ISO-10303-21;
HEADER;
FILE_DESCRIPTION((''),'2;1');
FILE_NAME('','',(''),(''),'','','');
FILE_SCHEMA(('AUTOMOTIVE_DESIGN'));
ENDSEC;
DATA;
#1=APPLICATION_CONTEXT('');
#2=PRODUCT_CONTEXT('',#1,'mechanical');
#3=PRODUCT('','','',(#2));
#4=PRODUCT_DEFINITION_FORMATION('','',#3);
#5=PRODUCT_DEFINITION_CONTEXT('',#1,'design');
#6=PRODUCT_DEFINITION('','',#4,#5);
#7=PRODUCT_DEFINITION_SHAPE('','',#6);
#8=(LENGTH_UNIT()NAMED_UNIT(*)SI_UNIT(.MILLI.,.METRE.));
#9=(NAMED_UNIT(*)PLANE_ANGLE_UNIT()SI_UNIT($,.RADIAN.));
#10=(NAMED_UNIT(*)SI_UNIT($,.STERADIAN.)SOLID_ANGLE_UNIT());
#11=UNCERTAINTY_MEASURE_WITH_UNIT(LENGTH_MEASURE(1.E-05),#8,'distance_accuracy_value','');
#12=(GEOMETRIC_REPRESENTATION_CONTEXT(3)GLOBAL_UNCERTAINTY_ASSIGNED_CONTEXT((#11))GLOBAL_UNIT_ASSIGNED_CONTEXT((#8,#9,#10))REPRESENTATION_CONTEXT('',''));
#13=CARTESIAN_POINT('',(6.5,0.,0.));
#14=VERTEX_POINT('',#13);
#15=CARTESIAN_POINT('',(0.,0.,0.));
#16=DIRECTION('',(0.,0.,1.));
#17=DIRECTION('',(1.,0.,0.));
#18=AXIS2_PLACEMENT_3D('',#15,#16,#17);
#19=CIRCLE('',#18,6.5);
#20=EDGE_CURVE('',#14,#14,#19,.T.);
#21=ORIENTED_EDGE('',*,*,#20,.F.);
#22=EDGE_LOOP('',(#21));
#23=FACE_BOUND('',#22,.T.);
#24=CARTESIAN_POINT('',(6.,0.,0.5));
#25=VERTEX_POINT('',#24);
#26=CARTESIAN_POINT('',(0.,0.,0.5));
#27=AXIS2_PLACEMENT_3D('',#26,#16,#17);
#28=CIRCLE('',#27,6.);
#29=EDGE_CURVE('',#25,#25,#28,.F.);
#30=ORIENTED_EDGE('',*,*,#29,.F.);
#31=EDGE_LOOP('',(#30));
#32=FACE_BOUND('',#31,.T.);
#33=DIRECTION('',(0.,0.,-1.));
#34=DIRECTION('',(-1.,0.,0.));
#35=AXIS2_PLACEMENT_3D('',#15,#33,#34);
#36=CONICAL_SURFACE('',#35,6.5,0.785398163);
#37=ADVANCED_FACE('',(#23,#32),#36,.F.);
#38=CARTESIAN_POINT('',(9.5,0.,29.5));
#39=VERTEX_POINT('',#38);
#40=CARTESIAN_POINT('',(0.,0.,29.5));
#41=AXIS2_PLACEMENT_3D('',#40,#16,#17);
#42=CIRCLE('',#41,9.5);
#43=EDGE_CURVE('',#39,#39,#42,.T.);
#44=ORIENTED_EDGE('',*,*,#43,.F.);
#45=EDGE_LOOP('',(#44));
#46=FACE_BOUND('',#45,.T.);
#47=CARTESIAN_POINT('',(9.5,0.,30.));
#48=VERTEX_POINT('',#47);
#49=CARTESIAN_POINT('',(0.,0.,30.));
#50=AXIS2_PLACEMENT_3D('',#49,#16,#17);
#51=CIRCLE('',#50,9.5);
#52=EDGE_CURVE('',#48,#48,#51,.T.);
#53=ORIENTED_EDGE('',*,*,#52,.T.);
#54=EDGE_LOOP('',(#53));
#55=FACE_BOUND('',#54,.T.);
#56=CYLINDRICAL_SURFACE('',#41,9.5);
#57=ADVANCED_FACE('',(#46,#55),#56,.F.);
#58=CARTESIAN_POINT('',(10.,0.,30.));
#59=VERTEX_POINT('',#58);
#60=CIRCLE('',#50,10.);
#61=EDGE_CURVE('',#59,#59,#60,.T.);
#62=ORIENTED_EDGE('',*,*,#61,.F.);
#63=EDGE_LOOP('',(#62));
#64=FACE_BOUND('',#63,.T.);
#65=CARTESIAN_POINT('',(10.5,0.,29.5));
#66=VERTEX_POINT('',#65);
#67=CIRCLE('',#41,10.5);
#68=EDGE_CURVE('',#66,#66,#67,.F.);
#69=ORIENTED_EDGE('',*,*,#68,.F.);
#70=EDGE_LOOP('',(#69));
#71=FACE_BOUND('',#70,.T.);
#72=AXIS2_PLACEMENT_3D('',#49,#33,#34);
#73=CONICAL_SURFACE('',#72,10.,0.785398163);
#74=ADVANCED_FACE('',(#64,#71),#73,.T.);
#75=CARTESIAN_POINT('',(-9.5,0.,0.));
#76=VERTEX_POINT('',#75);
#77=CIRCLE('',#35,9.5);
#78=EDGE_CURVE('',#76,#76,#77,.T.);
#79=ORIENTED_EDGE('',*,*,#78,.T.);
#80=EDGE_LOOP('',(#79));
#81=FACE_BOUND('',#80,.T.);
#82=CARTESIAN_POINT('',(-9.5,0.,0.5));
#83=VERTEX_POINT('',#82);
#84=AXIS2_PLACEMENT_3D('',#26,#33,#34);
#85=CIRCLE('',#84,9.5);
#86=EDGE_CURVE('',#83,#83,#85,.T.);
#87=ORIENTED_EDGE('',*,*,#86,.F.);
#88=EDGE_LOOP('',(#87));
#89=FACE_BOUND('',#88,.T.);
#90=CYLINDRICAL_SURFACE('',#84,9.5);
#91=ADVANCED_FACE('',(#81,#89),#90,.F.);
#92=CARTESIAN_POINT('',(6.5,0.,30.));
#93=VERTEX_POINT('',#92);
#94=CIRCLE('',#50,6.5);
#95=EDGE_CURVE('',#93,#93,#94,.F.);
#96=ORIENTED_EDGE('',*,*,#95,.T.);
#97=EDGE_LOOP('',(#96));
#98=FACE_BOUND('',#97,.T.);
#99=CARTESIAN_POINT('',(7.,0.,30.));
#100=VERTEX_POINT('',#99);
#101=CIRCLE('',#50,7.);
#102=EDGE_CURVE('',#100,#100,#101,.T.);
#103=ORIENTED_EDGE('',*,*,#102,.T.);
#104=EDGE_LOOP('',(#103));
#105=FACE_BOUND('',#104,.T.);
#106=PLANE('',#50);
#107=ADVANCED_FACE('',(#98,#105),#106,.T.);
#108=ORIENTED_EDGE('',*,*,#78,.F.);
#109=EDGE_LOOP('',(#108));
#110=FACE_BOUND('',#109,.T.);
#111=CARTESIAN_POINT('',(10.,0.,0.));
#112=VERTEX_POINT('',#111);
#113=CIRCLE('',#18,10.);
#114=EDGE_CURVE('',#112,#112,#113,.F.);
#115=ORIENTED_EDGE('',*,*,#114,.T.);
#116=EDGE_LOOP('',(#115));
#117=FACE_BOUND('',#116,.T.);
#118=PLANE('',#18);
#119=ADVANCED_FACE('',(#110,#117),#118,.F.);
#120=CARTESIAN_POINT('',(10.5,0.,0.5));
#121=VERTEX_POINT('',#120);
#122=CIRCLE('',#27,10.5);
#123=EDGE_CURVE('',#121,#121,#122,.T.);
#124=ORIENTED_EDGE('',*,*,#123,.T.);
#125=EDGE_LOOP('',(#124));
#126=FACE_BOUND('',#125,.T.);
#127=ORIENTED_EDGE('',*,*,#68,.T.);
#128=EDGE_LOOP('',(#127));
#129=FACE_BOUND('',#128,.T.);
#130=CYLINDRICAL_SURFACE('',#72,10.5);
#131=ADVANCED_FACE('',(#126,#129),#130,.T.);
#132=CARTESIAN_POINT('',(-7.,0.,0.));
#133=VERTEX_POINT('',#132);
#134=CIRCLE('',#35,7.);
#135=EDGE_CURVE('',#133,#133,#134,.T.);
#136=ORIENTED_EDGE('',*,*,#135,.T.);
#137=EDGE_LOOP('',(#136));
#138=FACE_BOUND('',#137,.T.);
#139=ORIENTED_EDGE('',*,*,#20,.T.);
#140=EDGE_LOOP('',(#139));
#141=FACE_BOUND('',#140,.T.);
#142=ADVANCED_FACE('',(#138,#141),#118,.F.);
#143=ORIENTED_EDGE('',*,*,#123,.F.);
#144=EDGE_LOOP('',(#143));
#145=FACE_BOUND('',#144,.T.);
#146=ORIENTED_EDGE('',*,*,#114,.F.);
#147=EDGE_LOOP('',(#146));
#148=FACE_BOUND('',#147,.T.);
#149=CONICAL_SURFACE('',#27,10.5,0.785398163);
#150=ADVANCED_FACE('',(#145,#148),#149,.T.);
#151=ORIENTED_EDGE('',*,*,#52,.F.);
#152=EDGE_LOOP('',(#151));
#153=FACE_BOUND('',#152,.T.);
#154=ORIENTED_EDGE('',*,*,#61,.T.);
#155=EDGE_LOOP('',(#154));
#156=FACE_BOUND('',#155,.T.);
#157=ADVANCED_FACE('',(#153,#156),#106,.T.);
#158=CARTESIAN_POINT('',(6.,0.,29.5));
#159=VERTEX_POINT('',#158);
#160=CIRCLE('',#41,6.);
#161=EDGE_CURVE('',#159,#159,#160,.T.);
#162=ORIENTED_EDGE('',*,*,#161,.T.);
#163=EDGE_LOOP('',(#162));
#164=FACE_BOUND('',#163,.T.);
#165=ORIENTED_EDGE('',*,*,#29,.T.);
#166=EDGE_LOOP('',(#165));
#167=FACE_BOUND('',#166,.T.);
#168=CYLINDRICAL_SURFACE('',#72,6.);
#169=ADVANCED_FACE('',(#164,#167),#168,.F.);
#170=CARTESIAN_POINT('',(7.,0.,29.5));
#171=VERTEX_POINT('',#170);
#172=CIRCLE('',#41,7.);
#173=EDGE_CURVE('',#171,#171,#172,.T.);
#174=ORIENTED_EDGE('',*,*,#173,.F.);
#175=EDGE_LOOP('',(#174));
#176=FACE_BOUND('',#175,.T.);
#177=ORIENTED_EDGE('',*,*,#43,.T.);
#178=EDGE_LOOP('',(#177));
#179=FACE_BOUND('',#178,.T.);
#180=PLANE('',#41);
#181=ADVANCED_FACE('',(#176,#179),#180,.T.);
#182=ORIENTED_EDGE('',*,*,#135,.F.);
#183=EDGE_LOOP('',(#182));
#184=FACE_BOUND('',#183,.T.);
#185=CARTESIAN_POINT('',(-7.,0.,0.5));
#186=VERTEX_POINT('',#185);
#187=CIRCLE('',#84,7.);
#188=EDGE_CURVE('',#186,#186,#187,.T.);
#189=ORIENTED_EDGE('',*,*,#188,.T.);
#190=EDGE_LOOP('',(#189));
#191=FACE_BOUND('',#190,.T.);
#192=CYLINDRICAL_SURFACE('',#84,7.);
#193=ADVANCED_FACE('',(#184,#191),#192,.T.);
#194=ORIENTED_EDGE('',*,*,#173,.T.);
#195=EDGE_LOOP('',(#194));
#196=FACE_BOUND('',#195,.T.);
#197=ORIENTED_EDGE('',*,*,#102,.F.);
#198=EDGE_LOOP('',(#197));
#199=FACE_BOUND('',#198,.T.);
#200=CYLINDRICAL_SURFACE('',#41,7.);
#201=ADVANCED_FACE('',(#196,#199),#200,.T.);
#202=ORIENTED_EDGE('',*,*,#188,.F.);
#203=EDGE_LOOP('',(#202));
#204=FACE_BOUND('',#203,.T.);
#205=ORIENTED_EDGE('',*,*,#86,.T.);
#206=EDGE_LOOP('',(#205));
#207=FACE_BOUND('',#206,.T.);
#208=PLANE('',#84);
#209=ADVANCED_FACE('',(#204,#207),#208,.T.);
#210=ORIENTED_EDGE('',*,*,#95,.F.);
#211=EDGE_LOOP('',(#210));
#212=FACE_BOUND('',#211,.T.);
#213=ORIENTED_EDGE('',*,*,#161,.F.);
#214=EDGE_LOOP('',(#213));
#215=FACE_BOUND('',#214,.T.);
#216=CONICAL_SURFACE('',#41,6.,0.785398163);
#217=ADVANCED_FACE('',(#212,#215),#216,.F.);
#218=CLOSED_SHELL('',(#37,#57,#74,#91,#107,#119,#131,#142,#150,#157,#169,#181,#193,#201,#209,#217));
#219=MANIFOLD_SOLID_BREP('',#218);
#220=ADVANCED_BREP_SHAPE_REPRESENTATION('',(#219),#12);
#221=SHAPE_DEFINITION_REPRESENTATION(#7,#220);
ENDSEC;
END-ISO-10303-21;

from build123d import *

# Parameters (mm, degrees)
SKETCH1_R           = 10.5
SKETCH1_R_2         = 6
BOSS_EXTRUDE1_DEPTH = 30
SKETCH2_R           = 9.5
SKETCH2_R_2         = 7
CUT_EXTRUDE1_DEPTH  = 0.5
SKETCH3_R           = 9.5
SKETCH3_R_2         = 7
CUT_EXTRUDE2_DEPTH  = 0.5
CHAMFER1_SIZE       = 0.5


with BuildPart() as part:
    # Sketch1 → Boss-Extrude1 (new body)
    with BuildSketch(Plane.XY):
        Circle(SKETCH1_R)
        Circle(SKETCH1_R_2, mode=Mode.SUBTRACT)
    extrude(amount=BOSS_EXTRUDE1_DEPTH)

    # Sketch2 → Cut-Extrude1 (cut)
    with BuildSketch(Plane.XY.offset(30)):
        Circle(SKETCH2_R)
        Circle(SKETCH2_R_2, mode=Mode.SUBTRACT)
    extrude(amount=-CUT_EXTRUDE1_DEPTH, mode=Mode.SUBTRACT)

    # Sketch3 → Cut-Extrude2 (cut)
    with BuildSketch(Plane(origin=(0, 0, 0), x_dir=(-1, 0, 0), z_dir=(0, 0, -1))):
        Circle(SKETCH3_R)
        Circle(SKETCH3_R_2, mode=Mode.SUBTRACT)
    extrude(amount=-CUT_EXTRUDE2_DEPTH, mode=Mode.SUBTRACT)

    # Chamfer1
    chamfer1_edges = [part.edges().sort_by_distance(p)[0] for p in [
        (-10.5, 0, 0),
        (-10.5, 0, 30),
        (-6, 0, 0),
        (-6, 0, 30),
    ]]
    chamfer(chamfer1_edges, length=CHAMFER1_SIZE)


solid = part.part
